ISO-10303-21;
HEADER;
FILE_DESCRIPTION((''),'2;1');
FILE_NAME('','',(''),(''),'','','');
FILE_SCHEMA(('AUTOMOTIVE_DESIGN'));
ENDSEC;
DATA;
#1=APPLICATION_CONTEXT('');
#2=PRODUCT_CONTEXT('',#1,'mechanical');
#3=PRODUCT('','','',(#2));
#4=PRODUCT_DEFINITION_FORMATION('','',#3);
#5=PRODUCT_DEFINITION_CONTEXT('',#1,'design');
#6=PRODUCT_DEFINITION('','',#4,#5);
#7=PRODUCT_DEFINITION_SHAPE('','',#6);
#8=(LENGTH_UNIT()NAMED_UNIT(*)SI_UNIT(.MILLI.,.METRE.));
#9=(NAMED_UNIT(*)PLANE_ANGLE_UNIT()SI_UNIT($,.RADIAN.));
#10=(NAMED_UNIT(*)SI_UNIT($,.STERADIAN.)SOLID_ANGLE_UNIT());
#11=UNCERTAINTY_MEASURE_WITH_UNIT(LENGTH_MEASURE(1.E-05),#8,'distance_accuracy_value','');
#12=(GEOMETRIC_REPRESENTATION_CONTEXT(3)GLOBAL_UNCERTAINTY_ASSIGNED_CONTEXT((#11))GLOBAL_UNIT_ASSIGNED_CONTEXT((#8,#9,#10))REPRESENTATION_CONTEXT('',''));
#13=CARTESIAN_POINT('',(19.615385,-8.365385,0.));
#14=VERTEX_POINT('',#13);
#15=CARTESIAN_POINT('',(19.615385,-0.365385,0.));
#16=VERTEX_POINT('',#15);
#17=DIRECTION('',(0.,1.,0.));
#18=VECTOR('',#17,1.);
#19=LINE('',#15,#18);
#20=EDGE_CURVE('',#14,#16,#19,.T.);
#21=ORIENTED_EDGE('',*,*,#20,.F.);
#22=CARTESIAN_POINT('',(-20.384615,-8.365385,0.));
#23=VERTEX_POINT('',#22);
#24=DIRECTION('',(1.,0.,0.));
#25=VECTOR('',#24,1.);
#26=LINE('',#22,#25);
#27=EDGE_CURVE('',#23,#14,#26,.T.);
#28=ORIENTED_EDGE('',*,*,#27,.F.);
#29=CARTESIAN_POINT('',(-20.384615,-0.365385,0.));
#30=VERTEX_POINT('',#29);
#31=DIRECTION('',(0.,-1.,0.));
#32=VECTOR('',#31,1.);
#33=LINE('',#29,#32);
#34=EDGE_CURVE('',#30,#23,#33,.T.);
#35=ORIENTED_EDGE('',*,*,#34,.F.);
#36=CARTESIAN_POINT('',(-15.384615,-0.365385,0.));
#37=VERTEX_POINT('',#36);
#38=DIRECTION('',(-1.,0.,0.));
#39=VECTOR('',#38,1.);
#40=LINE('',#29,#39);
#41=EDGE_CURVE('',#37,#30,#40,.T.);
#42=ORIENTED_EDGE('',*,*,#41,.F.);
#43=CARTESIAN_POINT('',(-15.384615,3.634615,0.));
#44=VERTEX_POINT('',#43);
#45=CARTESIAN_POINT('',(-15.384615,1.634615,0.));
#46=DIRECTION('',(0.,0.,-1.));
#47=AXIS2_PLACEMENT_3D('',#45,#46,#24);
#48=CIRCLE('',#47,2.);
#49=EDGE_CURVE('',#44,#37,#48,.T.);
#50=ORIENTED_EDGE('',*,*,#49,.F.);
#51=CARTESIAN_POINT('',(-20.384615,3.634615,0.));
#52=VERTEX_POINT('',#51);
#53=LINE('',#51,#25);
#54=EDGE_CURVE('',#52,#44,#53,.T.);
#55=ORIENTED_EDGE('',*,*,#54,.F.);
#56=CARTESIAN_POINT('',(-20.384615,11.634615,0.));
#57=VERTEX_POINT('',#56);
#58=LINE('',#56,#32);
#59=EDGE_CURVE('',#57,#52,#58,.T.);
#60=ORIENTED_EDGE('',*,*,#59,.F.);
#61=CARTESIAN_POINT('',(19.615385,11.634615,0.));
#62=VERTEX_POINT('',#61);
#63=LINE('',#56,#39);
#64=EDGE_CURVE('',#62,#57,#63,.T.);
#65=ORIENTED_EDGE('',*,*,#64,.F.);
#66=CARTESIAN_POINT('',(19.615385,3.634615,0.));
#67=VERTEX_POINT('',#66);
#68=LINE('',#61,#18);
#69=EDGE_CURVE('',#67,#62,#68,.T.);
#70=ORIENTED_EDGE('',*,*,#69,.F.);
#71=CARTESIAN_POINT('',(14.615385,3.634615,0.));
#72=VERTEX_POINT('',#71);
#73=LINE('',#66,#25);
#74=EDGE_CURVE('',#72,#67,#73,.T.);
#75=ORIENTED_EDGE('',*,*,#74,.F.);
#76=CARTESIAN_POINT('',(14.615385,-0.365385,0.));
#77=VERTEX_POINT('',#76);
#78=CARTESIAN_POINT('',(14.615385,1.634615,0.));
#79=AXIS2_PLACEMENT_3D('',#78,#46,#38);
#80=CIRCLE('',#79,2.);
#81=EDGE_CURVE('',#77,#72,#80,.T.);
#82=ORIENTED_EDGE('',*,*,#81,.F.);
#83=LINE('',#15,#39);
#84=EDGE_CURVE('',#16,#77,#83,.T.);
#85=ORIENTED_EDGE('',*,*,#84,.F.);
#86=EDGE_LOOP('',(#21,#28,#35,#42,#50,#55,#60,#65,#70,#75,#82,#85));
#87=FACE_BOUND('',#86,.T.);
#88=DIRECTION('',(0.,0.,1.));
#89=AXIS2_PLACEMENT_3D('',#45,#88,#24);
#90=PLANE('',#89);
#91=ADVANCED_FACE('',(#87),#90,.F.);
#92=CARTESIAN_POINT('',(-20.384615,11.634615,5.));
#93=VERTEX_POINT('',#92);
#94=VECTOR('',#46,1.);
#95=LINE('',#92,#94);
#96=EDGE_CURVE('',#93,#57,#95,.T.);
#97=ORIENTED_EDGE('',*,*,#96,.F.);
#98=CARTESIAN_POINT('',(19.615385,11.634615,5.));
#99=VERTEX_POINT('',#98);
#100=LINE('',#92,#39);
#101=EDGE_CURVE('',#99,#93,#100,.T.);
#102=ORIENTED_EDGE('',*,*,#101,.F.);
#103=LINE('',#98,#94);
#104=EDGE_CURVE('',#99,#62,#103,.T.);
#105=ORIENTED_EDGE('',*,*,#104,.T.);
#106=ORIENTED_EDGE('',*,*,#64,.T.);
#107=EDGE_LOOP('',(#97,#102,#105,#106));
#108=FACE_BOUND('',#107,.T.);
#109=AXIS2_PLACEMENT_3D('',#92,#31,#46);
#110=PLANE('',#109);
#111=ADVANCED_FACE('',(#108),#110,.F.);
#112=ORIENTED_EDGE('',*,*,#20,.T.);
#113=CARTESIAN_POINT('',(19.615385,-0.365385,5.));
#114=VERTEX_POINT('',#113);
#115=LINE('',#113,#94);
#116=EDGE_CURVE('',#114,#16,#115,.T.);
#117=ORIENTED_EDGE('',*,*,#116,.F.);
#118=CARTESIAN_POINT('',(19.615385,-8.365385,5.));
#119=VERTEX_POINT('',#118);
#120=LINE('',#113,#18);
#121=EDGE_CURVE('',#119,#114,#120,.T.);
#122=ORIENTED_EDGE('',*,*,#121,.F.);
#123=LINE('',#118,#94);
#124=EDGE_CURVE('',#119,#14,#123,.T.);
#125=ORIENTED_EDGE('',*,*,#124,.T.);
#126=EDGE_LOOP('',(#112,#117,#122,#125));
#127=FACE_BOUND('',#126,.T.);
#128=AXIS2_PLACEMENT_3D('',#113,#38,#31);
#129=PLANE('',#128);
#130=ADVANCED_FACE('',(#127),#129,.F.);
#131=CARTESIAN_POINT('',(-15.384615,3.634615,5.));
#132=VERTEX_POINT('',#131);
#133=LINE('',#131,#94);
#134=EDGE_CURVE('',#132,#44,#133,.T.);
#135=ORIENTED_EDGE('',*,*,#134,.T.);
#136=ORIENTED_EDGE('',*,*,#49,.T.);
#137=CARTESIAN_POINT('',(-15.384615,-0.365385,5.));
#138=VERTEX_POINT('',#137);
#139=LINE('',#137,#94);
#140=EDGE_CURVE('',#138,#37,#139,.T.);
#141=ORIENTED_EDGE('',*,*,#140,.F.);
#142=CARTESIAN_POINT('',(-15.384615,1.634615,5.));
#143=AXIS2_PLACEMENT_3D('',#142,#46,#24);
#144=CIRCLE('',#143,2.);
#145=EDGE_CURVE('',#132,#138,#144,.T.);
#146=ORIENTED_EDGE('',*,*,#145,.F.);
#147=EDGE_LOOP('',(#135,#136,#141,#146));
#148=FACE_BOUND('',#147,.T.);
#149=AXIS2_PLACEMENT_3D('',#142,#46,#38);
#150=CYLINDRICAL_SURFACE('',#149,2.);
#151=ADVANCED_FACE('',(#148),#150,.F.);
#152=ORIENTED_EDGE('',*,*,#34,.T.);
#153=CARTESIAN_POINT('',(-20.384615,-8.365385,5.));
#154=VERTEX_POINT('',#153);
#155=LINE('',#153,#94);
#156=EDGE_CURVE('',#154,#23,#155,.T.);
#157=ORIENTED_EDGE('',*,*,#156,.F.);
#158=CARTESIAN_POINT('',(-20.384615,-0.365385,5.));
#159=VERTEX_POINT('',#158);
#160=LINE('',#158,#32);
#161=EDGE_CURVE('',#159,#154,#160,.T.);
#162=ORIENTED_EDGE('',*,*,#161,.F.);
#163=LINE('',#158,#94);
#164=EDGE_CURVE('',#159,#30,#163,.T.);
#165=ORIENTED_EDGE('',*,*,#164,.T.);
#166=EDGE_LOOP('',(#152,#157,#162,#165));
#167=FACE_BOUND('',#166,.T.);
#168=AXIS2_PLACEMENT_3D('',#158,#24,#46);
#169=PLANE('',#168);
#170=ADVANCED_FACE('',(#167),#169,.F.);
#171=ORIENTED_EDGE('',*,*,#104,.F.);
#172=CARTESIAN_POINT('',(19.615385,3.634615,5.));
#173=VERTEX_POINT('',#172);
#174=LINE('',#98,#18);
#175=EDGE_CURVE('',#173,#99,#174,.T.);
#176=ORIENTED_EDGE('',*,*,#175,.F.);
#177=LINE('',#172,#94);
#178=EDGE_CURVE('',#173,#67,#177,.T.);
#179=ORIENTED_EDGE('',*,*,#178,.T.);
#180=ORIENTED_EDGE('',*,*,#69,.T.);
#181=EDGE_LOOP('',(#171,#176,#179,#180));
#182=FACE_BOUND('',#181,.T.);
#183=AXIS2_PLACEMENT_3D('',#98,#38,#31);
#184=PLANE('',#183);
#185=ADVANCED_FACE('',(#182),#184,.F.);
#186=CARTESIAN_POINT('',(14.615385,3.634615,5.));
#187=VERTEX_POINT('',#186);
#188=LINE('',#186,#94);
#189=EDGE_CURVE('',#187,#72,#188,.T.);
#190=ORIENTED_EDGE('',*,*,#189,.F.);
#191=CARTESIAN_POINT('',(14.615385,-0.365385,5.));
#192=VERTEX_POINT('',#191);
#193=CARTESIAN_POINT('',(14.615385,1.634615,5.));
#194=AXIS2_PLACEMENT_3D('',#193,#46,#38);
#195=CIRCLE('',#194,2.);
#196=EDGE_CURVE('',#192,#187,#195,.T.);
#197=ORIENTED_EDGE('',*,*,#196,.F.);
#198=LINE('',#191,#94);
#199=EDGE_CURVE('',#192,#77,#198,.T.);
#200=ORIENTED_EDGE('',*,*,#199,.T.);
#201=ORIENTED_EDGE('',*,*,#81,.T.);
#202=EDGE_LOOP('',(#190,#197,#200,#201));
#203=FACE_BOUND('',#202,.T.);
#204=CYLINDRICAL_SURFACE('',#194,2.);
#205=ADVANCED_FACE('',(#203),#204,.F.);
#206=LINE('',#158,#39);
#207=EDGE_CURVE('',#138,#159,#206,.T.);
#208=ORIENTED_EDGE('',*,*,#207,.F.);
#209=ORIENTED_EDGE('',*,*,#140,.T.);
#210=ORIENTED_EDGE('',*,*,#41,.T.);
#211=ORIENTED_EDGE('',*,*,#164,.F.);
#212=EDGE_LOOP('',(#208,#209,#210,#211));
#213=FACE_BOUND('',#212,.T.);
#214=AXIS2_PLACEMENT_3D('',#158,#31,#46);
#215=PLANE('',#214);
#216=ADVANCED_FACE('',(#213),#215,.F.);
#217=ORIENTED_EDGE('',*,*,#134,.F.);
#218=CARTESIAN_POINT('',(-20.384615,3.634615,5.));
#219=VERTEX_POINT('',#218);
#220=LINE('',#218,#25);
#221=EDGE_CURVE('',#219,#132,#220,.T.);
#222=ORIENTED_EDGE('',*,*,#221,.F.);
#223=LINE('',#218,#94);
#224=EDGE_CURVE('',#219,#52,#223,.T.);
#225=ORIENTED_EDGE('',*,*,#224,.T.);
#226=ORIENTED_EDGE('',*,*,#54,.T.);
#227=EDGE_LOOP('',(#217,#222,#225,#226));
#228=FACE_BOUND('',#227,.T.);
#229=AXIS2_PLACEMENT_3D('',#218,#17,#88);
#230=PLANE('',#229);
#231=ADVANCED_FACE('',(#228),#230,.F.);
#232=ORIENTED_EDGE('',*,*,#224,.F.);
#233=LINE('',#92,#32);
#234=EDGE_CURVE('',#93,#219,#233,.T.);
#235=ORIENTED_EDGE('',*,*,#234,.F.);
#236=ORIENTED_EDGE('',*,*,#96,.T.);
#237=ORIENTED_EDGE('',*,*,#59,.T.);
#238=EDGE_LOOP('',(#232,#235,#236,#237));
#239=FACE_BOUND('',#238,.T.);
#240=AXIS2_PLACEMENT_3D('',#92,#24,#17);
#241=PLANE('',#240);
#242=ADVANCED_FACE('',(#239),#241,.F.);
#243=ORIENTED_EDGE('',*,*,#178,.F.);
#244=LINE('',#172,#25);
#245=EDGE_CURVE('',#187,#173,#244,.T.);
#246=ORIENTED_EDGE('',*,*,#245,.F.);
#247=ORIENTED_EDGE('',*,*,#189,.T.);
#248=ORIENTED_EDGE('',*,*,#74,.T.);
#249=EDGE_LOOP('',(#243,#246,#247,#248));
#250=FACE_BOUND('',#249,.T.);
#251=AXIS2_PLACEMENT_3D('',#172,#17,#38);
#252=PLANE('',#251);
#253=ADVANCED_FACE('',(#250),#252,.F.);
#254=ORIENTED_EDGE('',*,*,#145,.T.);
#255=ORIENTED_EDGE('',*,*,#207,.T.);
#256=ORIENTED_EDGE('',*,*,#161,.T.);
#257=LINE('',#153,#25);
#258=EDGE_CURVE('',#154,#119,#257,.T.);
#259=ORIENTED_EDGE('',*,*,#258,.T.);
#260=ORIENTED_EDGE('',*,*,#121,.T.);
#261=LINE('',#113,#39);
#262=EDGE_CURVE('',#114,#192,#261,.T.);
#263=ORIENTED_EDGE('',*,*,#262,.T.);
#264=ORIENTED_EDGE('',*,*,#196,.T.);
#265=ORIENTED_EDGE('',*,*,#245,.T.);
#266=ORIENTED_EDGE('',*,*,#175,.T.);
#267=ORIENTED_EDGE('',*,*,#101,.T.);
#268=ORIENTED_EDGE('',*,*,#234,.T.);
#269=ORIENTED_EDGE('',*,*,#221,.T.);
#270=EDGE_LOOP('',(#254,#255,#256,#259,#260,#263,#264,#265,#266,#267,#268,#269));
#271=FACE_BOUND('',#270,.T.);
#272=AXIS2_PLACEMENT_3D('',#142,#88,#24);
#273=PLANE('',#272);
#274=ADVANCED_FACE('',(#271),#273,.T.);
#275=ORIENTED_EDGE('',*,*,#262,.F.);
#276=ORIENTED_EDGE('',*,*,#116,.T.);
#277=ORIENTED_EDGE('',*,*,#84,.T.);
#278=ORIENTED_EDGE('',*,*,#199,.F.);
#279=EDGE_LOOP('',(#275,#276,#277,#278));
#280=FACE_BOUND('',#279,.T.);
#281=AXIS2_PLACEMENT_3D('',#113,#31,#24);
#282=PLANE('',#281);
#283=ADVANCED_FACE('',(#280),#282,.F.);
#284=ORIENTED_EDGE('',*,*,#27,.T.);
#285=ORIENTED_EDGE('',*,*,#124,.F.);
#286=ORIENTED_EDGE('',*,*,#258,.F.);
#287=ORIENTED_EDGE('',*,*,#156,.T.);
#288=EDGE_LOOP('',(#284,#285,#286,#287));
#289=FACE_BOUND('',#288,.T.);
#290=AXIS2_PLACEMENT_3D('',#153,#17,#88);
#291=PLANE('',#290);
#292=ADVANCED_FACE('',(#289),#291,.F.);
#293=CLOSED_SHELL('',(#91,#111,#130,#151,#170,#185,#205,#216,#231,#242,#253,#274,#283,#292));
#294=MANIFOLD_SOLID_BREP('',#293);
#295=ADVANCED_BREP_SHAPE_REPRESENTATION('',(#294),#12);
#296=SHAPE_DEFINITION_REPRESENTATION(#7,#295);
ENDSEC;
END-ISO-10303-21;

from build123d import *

# Parameters (mm, degrees)
BOSS_EXTRUDE1_DEPTH = 5


with BuildPart() as part:
    # Sketch1 → Boss-Extrude1 (new body)
    with BuildSketch(Plane.XY):
        with BuildLine():
            Line((19.615384615, -0.365384615), (19.615384615, -8.365384615))
            Line((19.615384615, -8.365384615), (-20.384615385, -8.365384615))
            Line((-20.384615385, -8.365384615), (-20.384615385, -0.365384615))
            Line((-20.384615385, -0.365384615), (-15.384615385, -0.365384615))
            ThreePointArc((-15.384615385, -0.365384615), (-13.384615385, 1.634615385), (-15.384615385, 3.634615385))
            Line((-15.384615385, 3.634615385), (-20.384615385, 3.634615385))
            Line((-20.384615385, 3.634615385), (-20.384615385, 11.634615385))
            Line((-20.384615385, 11.634615385), (19.615384615, 11.634615385))
            Line((19.615384615, 11.634615385), (19.615384615, 3.634615385))
            Line((19.615384615, 3.634615385), (14.615384615, 3.634615385))
            ThreePointArc((14.615384615, 3.634615385), (12.615384615, 1.634615385), (14.615384615, -0.365384615))
            Line((14.615384615, -0.365384615), (19.615384615, -0.365384615))
        make_face()
    extrude(amount=BOSS_EXTRUDE1_DEPTH)


solid = part.part
